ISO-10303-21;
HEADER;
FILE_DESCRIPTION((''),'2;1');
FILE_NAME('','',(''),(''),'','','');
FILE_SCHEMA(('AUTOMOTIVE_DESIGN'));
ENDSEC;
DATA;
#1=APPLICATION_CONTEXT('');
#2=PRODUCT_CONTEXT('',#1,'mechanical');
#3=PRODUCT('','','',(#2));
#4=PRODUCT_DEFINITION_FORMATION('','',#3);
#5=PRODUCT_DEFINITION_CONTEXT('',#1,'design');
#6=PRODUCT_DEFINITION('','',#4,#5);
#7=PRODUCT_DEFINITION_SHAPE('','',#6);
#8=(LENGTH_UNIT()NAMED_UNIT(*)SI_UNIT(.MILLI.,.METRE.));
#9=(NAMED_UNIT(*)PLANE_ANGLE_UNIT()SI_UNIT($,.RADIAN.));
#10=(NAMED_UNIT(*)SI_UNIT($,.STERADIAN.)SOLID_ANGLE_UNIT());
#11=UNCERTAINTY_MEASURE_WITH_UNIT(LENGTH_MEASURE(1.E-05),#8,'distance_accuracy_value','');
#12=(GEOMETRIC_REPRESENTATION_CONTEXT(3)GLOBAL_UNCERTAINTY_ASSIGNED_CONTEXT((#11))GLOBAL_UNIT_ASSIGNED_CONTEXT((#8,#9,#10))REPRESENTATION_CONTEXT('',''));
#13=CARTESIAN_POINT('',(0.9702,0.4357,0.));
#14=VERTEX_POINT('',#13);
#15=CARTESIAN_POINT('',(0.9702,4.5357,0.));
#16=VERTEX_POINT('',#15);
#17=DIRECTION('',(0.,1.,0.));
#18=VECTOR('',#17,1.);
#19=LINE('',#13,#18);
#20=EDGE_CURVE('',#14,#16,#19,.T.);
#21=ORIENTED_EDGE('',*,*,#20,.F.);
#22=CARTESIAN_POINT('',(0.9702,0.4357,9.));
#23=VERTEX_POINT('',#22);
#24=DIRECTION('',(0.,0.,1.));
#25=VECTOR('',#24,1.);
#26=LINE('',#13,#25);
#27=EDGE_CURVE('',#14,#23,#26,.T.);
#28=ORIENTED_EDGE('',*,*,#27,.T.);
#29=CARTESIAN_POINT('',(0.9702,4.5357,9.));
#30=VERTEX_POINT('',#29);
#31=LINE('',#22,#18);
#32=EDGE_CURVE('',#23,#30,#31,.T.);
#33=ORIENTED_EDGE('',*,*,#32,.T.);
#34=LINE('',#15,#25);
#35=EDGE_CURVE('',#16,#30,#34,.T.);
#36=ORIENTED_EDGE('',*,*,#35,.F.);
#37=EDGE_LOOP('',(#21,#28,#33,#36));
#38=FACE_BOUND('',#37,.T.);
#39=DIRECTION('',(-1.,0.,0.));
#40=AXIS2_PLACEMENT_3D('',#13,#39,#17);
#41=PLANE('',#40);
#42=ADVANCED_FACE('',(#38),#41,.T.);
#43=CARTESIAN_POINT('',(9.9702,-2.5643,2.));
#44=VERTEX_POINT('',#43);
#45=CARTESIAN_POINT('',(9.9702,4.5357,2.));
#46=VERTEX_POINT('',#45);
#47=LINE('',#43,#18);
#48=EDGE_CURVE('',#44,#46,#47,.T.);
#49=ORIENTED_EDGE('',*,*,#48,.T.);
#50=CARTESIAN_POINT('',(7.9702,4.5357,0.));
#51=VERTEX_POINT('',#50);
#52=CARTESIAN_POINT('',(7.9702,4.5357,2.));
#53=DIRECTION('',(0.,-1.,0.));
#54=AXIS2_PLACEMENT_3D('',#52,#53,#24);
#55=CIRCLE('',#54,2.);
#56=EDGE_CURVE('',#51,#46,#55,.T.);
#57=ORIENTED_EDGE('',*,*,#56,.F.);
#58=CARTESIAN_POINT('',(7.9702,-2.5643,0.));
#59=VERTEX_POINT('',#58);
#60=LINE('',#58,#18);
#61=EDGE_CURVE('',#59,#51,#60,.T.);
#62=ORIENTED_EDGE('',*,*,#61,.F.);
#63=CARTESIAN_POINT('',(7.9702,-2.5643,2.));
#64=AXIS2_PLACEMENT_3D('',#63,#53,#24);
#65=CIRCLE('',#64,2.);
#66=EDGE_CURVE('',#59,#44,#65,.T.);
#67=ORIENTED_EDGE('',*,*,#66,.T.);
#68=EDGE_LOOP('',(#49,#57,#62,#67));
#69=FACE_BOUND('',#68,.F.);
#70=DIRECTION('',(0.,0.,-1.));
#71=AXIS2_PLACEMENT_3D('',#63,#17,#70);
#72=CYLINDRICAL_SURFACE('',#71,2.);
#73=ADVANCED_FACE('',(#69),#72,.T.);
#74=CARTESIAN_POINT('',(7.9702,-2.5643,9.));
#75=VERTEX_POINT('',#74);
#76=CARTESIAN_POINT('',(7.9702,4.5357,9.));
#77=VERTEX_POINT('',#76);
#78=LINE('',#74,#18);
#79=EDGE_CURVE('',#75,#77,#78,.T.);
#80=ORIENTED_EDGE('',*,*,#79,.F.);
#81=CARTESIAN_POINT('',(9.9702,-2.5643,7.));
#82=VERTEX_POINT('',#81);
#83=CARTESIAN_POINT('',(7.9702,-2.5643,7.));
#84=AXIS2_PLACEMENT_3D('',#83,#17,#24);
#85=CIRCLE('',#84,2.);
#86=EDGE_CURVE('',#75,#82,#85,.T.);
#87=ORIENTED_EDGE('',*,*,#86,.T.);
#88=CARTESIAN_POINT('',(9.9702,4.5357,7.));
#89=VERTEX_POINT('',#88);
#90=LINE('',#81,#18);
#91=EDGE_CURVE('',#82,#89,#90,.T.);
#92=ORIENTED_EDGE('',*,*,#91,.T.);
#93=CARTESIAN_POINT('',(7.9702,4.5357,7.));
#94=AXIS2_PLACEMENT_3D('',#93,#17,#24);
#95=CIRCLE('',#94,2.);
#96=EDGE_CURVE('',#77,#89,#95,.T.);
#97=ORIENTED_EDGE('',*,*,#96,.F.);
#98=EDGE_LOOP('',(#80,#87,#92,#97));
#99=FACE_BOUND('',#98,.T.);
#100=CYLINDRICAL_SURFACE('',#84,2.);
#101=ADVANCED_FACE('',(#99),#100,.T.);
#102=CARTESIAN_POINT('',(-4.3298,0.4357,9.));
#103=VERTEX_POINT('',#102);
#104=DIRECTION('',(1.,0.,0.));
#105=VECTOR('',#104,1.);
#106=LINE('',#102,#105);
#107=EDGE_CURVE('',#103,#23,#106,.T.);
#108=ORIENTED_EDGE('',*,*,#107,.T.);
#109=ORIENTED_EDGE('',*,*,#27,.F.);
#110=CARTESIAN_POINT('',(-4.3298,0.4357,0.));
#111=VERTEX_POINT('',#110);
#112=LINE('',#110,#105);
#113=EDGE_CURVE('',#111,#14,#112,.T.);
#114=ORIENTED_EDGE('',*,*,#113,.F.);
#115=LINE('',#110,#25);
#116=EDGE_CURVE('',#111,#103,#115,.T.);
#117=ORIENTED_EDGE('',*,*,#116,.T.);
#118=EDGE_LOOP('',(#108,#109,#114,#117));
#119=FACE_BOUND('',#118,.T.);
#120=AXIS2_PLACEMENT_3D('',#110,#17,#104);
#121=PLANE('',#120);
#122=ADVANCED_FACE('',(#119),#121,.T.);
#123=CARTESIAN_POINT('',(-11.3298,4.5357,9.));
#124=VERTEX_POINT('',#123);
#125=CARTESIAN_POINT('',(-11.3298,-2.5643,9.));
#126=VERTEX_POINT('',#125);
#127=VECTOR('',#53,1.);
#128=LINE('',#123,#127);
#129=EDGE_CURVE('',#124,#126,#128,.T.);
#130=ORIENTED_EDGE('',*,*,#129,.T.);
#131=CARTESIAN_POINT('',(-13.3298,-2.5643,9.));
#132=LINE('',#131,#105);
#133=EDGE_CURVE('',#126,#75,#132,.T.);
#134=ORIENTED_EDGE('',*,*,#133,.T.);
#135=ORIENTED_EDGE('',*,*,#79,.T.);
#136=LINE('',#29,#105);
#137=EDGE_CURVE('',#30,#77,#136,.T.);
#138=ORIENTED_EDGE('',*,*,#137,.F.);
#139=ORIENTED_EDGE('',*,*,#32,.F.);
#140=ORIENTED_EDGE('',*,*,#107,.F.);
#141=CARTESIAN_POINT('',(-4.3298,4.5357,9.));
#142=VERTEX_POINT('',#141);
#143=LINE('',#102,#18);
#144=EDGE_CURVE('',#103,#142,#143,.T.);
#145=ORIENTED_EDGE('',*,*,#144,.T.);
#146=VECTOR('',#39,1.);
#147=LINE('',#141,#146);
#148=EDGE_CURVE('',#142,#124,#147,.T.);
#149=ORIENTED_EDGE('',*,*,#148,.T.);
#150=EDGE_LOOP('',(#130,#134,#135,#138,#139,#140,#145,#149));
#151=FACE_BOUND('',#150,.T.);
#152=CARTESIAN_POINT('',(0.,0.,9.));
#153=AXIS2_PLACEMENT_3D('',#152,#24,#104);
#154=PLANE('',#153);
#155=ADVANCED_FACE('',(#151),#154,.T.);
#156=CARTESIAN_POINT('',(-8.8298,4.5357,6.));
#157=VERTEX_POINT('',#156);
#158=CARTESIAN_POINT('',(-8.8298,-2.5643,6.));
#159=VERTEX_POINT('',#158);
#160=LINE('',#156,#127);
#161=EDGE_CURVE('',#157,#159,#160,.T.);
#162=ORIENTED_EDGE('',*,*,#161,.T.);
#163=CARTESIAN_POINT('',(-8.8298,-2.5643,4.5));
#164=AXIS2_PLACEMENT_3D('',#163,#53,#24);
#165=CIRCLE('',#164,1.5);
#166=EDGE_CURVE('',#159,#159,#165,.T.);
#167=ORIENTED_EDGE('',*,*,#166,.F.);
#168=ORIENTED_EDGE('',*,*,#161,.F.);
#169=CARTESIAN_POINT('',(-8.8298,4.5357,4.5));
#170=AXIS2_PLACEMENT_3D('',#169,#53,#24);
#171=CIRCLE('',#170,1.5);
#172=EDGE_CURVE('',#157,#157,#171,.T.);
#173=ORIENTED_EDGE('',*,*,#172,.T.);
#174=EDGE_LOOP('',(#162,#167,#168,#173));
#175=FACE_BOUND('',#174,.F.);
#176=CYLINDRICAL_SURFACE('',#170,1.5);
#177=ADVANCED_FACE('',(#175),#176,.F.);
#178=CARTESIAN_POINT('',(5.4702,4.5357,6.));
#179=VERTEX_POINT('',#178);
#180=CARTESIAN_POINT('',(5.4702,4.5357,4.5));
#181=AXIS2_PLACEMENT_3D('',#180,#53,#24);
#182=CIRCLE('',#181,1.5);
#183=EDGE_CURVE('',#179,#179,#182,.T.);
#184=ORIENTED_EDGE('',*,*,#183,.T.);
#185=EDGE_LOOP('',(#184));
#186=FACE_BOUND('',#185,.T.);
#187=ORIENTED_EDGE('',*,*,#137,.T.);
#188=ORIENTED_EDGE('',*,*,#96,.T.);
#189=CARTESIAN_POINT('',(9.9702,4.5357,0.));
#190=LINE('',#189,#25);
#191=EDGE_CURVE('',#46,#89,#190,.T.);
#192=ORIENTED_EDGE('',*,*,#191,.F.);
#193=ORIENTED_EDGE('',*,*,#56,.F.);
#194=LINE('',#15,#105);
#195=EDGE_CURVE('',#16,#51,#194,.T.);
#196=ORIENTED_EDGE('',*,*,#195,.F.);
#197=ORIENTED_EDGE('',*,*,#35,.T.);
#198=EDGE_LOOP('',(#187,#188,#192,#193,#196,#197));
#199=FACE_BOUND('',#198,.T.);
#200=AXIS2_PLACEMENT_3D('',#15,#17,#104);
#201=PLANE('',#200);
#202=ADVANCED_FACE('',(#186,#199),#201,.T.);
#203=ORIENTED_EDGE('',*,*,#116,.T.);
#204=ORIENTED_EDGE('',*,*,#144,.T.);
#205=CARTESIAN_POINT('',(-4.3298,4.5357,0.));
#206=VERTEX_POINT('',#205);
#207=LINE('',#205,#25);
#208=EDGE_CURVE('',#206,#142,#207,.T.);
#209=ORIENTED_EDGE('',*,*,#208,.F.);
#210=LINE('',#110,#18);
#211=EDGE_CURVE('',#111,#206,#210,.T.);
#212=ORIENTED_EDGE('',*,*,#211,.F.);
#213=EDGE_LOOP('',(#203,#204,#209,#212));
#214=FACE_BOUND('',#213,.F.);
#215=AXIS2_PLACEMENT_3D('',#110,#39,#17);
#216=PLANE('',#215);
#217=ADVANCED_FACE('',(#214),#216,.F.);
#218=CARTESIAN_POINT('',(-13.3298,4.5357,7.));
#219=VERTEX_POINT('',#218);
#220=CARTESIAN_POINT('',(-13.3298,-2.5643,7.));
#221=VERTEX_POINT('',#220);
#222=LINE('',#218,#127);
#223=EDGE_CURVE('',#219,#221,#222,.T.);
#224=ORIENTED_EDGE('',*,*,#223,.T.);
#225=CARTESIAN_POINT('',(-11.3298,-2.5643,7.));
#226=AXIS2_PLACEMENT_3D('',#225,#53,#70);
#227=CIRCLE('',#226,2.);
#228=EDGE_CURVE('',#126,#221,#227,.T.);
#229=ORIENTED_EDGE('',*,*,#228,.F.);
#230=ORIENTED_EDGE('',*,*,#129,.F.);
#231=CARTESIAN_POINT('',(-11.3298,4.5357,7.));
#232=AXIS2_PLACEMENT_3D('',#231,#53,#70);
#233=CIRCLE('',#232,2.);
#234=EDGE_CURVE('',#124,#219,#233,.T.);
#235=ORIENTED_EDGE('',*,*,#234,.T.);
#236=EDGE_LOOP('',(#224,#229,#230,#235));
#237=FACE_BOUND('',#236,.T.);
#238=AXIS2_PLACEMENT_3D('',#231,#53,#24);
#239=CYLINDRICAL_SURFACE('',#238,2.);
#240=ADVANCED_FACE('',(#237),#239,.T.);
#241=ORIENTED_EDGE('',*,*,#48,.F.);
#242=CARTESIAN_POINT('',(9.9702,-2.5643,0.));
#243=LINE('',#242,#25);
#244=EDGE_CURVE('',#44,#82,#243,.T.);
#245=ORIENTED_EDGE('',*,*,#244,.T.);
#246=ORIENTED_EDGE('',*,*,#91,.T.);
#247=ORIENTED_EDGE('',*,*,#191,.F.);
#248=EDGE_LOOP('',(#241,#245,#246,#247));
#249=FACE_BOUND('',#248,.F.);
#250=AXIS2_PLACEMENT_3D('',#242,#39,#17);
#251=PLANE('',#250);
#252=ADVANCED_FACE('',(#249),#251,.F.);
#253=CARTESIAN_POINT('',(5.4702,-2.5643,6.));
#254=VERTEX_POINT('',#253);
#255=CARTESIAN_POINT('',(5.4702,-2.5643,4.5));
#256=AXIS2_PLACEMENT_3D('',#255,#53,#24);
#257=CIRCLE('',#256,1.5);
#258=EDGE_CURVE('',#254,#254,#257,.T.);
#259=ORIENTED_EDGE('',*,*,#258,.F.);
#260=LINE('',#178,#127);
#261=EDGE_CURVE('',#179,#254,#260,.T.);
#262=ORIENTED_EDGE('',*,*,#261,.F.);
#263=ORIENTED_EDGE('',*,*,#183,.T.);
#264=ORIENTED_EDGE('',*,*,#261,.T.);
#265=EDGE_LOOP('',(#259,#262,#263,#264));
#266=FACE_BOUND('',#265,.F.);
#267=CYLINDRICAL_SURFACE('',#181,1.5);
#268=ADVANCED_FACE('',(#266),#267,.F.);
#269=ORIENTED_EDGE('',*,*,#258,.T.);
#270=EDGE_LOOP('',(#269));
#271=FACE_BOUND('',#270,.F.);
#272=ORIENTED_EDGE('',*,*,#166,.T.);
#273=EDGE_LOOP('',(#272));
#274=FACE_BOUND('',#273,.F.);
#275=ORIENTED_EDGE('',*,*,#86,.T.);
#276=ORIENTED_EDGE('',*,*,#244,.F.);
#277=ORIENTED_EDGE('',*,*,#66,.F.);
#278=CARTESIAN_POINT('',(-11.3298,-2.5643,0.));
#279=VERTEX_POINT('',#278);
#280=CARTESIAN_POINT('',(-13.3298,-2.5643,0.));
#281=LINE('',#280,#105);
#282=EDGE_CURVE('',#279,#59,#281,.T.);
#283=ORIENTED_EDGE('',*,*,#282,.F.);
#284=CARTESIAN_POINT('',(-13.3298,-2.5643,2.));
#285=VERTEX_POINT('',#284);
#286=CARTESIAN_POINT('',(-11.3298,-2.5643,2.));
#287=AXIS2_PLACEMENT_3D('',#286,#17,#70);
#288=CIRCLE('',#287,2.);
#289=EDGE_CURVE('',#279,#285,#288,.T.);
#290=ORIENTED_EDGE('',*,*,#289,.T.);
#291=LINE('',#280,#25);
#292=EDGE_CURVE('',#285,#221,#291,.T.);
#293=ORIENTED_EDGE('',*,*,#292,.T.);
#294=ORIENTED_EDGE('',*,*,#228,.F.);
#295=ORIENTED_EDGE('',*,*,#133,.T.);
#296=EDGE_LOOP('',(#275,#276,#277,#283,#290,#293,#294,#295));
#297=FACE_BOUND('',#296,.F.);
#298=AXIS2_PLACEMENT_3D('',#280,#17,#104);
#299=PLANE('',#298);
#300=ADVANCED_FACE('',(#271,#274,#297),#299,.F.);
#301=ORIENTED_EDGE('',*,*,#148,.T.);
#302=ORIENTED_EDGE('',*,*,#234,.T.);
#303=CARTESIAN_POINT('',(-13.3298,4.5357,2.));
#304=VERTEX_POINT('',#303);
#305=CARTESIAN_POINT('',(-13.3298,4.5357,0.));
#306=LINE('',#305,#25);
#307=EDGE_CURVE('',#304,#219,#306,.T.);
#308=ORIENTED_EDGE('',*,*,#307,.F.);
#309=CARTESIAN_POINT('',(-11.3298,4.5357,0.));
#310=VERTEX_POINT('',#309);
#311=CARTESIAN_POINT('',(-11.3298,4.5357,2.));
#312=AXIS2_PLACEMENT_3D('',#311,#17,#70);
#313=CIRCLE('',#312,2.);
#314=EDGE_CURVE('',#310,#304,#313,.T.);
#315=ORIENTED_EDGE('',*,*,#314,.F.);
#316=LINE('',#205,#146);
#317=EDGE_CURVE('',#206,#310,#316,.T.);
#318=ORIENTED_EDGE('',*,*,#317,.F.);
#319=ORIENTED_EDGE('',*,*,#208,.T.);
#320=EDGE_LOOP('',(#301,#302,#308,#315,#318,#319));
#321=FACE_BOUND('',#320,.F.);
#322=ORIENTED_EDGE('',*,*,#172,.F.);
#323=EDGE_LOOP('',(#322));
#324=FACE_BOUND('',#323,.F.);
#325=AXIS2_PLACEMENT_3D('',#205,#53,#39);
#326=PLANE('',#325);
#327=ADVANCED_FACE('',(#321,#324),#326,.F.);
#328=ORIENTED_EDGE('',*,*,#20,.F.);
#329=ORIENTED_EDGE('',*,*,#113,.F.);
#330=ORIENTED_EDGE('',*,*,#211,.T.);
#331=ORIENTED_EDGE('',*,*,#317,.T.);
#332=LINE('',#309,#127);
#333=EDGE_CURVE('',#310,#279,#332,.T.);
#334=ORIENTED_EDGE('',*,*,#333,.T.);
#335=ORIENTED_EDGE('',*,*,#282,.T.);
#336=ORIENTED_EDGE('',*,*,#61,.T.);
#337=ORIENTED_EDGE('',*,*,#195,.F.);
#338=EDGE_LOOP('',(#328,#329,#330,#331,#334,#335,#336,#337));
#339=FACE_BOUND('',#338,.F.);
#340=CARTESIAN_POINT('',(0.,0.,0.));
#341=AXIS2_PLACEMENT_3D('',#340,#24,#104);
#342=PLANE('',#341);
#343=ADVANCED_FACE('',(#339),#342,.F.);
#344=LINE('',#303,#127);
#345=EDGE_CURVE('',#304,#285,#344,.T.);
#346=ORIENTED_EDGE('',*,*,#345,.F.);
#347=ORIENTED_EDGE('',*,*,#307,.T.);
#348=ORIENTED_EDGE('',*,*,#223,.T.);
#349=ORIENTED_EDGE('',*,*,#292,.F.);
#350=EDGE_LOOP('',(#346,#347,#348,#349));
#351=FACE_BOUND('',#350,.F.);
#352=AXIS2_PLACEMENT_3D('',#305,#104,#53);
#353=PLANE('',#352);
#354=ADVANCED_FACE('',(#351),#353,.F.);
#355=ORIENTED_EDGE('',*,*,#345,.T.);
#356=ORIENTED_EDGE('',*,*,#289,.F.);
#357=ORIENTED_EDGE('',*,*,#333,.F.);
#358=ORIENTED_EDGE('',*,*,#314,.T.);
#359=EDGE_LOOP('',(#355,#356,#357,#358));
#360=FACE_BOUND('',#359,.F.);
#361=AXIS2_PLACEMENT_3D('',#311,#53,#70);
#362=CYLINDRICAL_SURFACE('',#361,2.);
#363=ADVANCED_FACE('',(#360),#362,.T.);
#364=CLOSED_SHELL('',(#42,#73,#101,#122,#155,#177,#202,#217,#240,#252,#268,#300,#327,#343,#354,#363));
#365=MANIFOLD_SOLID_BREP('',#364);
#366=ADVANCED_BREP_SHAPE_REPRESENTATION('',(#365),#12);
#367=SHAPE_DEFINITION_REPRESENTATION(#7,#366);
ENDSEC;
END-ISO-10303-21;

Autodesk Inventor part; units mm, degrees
ref_plane "YZ Plane" through (0, 0, 0) normal (1, 0, 0) x (0, 1, 0)
ref_plane "XZ Plane" through (0, 0, 0) normal (0, 1, 0) x (-1, 0, 0)
ref_plane "XY Plane" through (0, 0, 0) normal (0, 0, 1) x (1, 0, 0)
sketch "Sketch1" plane through (0, 0, 0) normal (0, 0, 1) x (1, 0, 0)
  line L0 (-4.3298, 0.4357) -> (0.9702, 0.4357)
  line L1 (0.9702, 0.4357) -> (0.9702, 4.5357)
  line L2 (-4.3298, 0.4357) -> (-4.3298, 4.5357)
  line L3 (-4.3298, 4.5357) -> (-13.3298, 4.5357)
  line L4 (0.9702, 4.5357) -> (9.9702, 4.5357)
  line L5 (-13.3298, 4.5357) -> (-13.3298, -2.5643)
  line L6 (-13.3298, -2.5643) -> (9.9702, -2.5643)
  line L7 (9.9702, -2.5643) -> (9.9702, 4.5357)
  point P0 (0, 0)
  dimension "d0" = 5.3
  dimension "d1" = 4.1
  dimension "d2" = 9
  dimension "d3" = 9
  dimension "d4" = 3
  dimension "d5" = 4.1
extrude "Extrusion1" add sketch "Sketch1" along normal blind 9
sketch "Sketch2" plane through (-13.3298, 4.5357, 0) normal (0, 1, 0) x (1, 0, 0)
  line L0 (0, 0) -> (9, 0) projected
  line L1 (0, 0) -> (0, -9) projected
  line L2 (9, -9) -> (0, -9) projected
  line L3 (9, 0) -> (9, -9) projected
  line L4 (14.3, 0) -> (23.3, 0) projected
  line L5 (14.3, 0) -> (14.3, -9) projected
  line L6 (23.3, -9) -> (14.3, -9) projected
  line L7 (23.3, 0) -> (23.3, -9) projected
  point P0 (13.3298, 0)
  point P1 (4.5, -4.5)
  point P2 (18.8, -4.5)
  dimension "d8" = 9
  dimension "d9" = 9
  dimension "d10" = 4.5
  dimension "d11" = 4.5
  dimension "d12" = 4.5
  dimension "d13" = 4.5
hole "Hole1" at (-8.8298, 4.5357, 4.5) at (5.4702, 4.5357, 4.5) direction (0, -1, 0) diameter 3 end through all
fillet "Fillet1" radius 2 4 edges at (-13.3298, 0.9857, 9) (-13.3298, 0.9857, 0) (9.9702, 0.9857, 0) (9.9702, 0.9857, 9)
equation "\"d5\" = d1"
equation "\"d12\" = d11"
equation "\"d13\" = d10"
properties part number "3DP_PLA_Measurement_Rail_Vibration_Motor_Clamp"
